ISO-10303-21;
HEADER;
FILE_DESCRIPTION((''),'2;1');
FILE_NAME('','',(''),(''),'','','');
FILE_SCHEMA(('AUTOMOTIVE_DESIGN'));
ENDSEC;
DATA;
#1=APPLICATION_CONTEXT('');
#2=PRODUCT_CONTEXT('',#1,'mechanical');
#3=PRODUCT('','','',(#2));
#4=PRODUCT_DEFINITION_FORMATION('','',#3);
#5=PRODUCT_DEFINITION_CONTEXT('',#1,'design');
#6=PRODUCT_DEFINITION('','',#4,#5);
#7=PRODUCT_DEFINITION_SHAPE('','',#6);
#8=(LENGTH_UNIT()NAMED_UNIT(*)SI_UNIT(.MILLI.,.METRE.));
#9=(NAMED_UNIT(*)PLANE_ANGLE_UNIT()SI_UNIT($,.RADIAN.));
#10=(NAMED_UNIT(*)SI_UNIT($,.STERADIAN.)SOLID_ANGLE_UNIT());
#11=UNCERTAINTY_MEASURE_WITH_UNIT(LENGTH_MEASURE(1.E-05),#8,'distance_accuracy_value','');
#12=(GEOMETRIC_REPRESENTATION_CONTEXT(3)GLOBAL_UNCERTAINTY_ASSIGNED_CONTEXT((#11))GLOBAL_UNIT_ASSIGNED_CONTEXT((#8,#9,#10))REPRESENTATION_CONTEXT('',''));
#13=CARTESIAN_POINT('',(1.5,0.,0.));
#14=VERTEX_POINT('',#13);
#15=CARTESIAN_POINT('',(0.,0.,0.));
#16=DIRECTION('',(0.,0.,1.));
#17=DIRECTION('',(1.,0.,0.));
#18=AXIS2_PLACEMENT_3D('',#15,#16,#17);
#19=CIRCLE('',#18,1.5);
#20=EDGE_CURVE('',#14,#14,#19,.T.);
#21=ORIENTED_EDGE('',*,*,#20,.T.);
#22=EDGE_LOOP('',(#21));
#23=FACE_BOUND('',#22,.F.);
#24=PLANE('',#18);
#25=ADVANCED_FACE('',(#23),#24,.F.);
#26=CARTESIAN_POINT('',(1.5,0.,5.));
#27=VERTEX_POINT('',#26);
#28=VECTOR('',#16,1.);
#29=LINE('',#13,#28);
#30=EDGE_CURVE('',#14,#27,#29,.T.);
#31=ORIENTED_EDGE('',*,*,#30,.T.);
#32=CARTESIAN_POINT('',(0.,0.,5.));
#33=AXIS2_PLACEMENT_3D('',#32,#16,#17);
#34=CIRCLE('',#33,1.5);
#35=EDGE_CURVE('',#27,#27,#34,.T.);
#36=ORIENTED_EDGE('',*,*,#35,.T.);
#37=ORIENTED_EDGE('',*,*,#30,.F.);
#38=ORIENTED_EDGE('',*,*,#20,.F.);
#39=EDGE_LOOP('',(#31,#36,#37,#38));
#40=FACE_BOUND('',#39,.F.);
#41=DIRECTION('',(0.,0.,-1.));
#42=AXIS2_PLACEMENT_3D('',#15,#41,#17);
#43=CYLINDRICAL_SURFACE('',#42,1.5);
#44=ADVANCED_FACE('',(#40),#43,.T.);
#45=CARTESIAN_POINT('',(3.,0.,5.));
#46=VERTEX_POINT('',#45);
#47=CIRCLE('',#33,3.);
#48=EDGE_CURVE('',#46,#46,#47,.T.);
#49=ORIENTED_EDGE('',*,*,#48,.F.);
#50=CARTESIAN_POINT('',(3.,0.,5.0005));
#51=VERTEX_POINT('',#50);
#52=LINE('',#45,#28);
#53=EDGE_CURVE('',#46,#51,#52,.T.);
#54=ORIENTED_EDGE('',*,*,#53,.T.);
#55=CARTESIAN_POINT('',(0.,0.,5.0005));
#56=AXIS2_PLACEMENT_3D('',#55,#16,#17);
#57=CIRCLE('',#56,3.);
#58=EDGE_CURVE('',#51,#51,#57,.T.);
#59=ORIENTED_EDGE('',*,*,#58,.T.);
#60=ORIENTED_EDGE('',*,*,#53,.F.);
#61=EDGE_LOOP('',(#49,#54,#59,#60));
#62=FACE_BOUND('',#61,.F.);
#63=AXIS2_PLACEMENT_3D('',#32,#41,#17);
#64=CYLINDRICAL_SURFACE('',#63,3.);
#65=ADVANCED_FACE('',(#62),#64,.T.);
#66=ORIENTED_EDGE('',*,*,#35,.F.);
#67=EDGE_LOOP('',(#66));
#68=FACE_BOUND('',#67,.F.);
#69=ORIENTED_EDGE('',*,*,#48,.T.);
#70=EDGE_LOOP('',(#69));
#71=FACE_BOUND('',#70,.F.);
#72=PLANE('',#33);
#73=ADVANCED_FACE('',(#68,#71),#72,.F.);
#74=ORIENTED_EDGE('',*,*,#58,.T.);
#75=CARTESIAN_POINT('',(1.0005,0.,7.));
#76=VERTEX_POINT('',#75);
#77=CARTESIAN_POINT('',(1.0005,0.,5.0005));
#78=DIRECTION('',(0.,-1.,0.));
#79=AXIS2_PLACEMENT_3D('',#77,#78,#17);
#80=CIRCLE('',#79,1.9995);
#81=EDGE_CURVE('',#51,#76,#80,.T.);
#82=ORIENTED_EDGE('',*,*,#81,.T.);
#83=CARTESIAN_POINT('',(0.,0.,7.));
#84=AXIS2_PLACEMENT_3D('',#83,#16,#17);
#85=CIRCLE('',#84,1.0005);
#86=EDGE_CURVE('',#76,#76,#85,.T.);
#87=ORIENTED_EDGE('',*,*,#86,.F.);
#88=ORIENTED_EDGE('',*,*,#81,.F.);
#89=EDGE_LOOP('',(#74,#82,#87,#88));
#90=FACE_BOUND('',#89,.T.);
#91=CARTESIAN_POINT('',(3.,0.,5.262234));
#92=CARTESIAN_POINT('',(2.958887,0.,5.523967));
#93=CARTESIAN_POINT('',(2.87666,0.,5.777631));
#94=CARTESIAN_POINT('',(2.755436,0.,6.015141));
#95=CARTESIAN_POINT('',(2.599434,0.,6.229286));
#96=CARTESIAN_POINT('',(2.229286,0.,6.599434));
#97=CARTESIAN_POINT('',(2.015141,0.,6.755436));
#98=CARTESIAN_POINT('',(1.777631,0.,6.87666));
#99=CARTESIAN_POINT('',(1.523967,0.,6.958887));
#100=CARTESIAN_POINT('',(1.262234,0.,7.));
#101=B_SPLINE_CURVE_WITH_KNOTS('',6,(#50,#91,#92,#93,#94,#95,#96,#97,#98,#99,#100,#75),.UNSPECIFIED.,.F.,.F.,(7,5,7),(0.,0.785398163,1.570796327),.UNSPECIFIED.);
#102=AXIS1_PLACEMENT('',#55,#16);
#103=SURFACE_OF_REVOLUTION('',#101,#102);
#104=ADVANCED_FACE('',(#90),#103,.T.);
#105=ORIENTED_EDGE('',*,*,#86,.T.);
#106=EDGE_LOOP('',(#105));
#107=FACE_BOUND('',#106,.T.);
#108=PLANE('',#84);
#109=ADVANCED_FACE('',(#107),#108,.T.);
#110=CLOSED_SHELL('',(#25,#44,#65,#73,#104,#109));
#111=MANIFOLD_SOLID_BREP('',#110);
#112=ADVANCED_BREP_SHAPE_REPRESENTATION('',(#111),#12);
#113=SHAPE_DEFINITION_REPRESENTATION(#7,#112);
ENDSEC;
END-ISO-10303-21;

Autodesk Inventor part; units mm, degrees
ref_plane "YZ Plane" through (0, 0, 0) normal (1, 0, 0) x (0, 1, 0)
ref_plane "XZ Plane" through (0, 0, 0) normal (0, 1, 0) x (-1, 0, 0)
ref_plane "XY Plane" through (0, 0, 0) normal (0, 0, 1) x (1, 0, 0)
sketch "スケッチ1" plane through (0, 0, 0) normal (0, 0, 1) x (1, 0, 0)
  circle A0 centre (0, 0) radius 1.5
  dimension "d0" = 3
extrude "押し出し1" add sketch "スケッチ1" along normal blind 5
sketch "スケッチ2" plane through (0, 0, 5) normal (0, 0, 1) x (1, 0, 0)
  circle A0 centre (0, 0) radius 1.5 projected
  circle A1 centre (0, 0) radius 3
  dimension "d3" = 6
extrude "押し出し2" add sketch "スケッチ2" along normal blind 2 contours A0 | A1
fillet "フィレット1" radius 2 1 edges at (-3, 0, 7)
thread "ねじ1" size "M3x0.5" class "6g" standard "ANSI Metric M Profile" full length
properties part number "SB　5mmなべネジ" material "Steel, Mild"
